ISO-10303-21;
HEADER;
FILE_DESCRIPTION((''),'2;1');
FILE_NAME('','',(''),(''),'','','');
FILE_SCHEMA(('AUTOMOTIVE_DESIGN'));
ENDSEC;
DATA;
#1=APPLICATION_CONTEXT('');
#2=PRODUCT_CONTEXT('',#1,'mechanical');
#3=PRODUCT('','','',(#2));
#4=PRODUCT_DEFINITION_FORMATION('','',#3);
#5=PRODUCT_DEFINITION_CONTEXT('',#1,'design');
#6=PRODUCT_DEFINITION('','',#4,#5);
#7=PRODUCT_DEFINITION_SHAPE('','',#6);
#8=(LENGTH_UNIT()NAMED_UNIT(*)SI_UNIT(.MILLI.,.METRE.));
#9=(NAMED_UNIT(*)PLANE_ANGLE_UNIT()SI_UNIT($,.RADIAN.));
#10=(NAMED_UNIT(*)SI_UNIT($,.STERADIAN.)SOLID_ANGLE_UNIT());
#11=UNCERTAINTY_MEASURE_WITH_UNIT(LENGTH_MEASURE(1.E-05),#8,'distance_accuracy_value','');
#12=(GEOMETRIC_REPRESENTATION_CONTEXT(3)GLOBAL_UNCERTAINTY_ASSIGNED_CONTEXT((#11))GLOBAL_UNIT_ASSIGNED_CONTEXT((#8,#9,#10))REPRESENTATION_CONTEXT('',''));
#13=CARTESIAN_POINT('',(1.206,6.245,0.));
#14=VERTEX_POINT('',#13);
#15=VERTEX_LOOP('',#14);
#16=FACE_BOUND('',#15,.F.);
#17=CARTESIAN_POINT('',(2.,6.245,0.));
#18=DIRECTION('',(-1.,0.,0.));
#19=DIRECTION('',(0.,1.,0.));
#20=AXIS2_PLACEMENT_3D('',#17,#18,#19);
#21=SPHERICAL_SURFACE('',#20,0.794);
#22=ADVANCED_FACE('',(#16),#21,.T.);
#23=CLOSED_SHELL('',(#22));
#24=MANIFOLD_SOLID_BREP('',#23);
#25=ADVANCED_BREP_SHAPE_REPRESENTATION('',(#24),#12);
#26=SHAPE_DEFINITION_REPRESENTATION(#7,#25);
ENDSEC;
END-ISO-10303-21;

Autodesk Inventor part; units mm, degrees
ref_plane "YZ Plane" through (0, 0, 0) normal (1, 0, 0) x (0, 1, 0)
ref_plane "XZ Plane" through (0, 0, 0) normal (0, 1, 0) x (-1, 0, 0)
ref_plane "XY Plane" through (0, 0, 0) normal (0, 0, 1) x (1, 0, 0)
sketch "Sketch_6" plane through (0, 0, 0) normal (0, 0, 1) x (1, 0, 0)
  line L0 (2.794, 6.245) -> (1.206, 6.245)
  arc A0 (2.794, 6.245) -> (1.206, 6.245) centre (2, 6.245) ccw
  line L1 (2.794, 6.245) -> (1.206, 6.245)
  dimension "d0" = 360
revolve "Revolution1" add sketch "Sketch_6" angle 360 about axis through (2.794, 6.245, 0) along (1, 0, 0)
properties part number "SKF_W 61700 X-2RS1_PART3"
